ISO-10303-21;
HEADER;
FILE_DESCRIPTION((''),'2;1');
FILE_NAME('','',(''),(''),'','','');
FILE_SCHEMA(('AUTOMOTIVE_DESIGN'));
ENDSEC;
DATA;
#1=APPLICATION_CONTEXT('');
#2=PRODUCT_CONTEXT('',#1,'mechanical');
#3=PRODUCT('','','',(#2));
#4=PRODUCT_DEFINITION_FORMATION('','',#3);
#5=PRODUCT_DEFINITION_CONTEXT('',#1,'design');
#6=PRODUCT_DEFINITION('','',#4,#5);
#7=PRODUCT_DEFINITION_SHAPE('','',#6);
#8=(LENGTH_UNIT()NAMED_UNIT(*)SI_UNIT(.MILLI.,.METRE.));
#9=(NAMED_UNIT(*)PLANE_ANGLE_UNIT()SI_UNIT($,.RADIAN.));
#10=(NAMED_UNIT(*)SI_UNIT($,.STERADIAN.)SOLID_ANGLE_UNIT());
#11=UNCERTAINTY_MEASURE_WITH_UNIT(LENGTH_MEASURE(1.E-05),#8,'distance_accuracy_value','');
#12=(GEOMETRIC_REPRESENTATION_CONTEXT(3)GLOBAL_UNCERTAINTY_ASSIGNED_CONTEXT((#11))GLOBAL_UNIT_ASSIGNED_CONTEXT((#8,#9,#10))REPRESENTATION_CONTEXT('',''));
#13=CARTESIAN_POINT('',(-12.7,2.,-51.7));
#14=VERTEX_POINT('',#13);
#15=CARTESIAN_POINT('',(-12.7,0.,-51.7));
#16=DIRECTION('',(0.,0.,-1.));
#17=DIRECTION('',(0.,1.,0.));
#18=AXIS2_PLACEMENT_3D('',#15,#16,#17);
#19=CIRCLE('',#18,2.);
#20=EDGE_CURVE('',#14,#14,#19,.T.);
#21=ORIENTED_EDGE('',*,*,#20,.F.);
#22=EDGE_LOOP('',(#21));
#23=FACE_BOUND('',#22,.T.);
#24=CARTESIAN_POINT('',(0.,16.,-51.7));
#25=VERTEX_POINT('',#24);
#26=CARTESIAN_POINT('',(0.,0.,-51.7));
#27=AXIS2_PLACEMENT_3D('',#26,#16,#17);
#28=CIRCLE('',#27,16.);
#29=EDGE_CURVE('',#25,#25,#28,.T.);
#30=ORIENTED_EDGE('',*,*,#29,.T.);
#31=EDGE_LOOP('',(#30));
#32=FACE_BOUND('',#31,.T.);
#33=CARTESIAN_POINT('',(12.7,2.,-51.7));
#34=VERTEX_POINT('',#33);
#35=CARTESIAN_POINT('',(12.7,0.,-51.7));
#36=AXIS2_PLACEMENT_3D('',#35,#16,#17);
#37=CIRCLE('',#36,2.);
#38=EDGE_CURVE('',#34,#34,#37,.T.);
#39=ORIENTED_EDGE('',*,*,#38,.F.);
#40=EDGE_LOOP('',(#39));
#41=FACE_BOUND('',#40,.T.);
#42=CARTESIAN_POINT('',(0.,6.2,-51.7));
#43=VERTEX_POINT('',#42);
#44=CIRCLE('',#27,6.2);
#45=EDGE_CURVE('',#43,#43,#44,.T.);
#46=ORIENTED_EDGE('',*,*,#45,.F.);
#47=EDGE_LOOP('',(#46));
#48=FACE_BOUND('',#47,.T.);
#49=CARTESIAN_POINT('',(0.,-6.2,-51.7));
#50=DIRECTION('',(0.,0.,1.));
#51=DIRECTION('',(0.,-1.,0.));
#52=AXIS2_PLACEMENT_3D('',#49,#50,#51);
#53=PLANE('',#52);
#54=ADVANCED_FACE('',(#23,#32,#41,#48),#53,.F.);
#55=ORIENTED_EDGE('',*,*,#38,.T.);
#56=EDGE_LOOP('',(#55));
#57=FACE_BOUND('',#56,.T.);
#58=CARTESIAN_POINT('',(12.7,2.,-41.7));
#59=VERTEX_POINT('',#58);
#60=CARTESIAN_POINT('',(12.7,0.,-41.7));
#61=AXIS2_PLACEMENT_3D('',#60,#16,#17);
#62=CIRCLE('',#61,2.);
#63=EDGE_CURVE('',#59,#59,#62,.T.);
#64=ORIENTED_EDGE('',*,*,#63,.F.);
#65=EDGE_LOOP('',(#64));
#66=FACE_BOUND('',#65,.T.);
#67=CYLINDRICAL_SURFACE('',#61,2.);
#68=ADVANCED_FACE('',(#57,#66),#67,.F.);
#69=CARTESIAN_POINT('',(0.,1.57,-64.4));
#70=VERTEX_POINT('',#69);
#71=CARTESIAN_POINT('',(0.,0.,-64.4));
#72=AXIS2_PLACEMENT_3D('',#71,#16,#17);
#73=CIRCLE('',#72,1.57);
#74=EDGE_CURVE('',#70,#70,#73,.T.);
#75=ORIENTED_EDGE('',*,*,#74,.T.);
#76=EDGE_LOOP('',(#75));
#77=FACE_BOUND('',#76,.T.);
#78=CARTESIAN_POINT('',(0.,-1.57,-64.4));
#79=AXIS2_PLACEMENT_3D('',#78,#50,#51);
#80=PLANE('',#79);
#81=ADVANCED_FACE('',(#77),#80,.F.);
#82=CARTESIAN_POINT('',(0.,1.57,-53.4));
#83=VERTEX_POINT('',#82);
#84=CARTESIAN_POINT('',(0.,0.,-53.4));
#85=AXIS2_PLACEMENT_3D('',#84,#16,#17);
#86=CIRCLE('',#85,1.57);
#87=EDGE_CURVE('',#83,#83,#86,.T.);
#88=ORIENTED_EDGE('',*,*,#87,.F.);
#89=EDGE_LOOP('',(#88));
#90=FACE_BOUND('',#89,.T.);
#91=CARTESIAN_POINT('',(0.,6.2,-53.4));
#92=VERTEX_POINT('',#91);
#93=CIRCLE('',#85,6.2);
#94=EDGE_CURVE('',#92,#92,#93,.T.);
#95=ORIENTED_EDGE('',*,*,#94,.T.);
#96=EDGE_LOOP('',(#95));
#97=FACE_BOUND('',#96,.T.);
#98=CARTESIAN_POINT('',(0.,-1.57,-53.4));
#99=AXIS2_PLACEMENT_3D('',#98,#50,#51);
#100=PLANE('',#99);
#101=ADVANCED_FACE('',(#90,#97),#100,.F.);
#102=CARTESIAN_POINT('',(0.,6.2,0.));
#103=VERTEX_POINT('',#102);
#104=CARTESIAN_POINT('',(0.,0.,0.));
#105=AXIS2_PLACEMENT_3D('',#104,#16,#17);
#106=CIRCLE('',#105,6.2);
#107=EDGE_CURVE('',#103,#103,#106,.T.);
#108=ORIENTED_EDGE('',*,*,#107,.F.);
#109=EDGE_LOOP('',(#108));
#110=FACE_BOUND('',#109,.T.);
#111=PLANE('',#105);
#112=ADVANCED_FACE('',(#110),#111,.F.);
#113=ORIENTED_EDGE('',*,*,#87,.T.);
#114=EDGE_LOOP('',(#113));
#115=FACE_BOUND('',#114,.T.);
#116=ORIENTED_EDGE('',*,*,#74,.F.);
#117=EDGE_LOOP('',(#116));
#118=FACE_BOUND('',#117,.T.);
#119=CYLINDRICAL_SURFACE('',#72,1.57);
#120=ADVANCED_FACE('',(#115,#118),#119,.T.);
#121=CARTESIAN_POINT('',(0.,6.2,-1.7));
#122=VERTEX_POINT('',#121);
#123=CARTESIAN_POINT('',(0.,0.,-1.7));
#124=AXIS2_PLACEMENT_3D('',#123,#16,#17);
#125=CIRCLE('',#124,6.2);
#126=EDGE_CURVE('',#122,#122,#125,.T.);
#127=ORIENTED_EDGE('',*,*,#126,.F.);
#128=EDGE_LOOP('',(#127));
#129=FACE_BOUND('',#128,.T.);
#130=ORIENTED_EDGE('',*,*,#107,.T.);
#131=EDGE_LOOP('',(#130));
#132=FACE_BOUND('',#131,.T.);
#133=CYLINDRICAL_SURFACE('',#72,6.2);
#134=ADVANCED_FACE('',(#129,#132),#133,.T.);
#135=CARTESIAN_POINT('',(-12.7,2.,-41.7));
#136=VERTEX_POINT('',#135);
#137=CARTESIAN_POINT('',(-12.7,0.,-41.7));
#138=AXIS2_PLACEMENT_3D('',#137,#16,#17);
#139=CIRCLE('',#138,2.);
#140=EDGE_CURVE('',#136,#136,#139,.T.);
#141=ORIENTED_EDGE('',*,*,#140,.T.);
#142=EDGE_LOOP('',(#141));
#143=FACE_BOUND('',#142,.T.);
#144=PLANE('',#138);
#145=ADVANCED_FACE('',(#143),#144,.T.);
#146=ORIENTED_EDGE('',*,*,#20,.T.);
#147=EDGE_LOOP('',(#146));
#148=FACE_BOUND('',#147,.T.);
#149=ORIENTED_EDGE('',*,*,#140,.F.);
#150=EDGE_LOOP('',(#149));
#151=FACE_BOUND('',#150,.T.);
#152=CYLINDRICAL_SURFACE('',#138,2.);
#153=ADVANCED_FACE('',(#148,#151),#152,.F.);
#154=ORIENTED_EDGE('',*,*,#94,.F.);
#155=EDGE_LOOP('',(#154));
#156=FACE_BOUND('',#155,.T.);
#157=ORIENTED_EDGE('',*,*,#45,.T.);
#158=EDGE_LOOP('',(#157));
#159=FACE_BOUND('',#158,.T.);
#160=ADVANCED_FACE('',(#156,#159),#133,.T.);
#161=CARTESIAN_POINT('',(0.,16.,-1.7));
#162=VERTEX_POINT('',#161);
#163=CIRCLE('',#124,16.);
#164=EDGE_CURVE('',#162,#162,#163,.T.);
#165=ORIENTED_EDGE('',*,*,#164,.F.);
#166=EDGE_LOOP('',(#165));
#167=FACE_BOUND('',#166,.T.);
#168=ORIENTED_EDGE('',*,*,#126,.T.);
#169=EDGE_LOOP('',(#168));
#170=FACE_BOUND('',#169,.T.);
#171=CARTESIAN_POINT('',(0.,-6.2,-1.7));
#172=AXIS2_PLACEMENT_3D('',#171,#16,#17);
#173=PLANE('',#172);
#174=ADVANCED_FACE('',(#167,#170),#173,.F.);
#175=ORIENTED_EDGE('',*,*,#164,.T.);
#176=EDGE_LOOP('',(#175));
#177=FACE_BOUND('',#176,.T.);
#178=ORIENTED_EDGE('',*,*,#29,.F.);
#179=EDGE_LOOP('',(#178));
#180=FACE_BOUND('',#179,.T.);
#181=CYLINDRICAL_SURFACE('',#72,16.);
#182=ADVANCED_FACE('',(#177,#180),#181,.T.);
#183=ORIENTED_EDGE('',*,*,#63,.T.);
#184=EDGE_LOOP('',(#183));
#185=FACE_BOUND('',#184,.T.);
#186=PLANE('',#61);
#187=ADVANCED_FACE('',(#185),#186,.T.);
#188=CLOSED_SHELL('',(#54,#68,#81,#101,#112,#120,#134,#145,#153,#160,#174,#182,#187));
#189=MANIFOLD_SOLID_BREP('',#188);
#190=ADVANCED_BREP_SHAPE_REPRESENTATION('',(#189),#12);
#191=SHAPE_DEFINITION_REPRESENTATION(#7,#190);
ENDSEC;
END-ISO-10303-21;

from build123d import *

# Parameters (mm, degrees)
SKETCH3_R      = 2
EXTRUDE1_DEPTH = 10


with BuildPart() as part:
    # Sketch2 → Revolve1 (revolve)
    with BuildSketch(Plane(origin=(0, 0, 0), x_dir=(0, 0, -1), z_dir=(1, 0, 0)), mode=Mode.PRIVATE) as revolve1_sk:
        Polygon((0, 0), (0, -6.2), (1.7, -6.2), (1.7, -16), (51.7, -16), (51.7, -6.2), (53.4, -6.2), (53.4, -1.57), (64.4, -1.57), (64.4, 0), align=None)
    revolve(revolve1_sk.sketch.rotate(Axis((0, 0, -64.4), (0, 0, 1)), 180), axis=Axis((0, 0, -64.4), (0, 0, 1)))

    # Sketch3 → Extrude1 (cut)
    with BuildSketch(Plane(origin=(0, 0, -51.7), x_dir=(-1, 0, 0), z_dir=(0, 0, -1))):
        with Locations(Location((12.7, 0, 0), (0, 0, 90))):
            Circle(SKETCH3_R)
        with Locations(Location((-12.7, 0, 0), (0, 0, 90))):
            Circle(SKETCH3_R)
    extrude(amount=-EXTRUDE1_DEPTH, mode=Mode.SUBTRACT)


solid = part.part
